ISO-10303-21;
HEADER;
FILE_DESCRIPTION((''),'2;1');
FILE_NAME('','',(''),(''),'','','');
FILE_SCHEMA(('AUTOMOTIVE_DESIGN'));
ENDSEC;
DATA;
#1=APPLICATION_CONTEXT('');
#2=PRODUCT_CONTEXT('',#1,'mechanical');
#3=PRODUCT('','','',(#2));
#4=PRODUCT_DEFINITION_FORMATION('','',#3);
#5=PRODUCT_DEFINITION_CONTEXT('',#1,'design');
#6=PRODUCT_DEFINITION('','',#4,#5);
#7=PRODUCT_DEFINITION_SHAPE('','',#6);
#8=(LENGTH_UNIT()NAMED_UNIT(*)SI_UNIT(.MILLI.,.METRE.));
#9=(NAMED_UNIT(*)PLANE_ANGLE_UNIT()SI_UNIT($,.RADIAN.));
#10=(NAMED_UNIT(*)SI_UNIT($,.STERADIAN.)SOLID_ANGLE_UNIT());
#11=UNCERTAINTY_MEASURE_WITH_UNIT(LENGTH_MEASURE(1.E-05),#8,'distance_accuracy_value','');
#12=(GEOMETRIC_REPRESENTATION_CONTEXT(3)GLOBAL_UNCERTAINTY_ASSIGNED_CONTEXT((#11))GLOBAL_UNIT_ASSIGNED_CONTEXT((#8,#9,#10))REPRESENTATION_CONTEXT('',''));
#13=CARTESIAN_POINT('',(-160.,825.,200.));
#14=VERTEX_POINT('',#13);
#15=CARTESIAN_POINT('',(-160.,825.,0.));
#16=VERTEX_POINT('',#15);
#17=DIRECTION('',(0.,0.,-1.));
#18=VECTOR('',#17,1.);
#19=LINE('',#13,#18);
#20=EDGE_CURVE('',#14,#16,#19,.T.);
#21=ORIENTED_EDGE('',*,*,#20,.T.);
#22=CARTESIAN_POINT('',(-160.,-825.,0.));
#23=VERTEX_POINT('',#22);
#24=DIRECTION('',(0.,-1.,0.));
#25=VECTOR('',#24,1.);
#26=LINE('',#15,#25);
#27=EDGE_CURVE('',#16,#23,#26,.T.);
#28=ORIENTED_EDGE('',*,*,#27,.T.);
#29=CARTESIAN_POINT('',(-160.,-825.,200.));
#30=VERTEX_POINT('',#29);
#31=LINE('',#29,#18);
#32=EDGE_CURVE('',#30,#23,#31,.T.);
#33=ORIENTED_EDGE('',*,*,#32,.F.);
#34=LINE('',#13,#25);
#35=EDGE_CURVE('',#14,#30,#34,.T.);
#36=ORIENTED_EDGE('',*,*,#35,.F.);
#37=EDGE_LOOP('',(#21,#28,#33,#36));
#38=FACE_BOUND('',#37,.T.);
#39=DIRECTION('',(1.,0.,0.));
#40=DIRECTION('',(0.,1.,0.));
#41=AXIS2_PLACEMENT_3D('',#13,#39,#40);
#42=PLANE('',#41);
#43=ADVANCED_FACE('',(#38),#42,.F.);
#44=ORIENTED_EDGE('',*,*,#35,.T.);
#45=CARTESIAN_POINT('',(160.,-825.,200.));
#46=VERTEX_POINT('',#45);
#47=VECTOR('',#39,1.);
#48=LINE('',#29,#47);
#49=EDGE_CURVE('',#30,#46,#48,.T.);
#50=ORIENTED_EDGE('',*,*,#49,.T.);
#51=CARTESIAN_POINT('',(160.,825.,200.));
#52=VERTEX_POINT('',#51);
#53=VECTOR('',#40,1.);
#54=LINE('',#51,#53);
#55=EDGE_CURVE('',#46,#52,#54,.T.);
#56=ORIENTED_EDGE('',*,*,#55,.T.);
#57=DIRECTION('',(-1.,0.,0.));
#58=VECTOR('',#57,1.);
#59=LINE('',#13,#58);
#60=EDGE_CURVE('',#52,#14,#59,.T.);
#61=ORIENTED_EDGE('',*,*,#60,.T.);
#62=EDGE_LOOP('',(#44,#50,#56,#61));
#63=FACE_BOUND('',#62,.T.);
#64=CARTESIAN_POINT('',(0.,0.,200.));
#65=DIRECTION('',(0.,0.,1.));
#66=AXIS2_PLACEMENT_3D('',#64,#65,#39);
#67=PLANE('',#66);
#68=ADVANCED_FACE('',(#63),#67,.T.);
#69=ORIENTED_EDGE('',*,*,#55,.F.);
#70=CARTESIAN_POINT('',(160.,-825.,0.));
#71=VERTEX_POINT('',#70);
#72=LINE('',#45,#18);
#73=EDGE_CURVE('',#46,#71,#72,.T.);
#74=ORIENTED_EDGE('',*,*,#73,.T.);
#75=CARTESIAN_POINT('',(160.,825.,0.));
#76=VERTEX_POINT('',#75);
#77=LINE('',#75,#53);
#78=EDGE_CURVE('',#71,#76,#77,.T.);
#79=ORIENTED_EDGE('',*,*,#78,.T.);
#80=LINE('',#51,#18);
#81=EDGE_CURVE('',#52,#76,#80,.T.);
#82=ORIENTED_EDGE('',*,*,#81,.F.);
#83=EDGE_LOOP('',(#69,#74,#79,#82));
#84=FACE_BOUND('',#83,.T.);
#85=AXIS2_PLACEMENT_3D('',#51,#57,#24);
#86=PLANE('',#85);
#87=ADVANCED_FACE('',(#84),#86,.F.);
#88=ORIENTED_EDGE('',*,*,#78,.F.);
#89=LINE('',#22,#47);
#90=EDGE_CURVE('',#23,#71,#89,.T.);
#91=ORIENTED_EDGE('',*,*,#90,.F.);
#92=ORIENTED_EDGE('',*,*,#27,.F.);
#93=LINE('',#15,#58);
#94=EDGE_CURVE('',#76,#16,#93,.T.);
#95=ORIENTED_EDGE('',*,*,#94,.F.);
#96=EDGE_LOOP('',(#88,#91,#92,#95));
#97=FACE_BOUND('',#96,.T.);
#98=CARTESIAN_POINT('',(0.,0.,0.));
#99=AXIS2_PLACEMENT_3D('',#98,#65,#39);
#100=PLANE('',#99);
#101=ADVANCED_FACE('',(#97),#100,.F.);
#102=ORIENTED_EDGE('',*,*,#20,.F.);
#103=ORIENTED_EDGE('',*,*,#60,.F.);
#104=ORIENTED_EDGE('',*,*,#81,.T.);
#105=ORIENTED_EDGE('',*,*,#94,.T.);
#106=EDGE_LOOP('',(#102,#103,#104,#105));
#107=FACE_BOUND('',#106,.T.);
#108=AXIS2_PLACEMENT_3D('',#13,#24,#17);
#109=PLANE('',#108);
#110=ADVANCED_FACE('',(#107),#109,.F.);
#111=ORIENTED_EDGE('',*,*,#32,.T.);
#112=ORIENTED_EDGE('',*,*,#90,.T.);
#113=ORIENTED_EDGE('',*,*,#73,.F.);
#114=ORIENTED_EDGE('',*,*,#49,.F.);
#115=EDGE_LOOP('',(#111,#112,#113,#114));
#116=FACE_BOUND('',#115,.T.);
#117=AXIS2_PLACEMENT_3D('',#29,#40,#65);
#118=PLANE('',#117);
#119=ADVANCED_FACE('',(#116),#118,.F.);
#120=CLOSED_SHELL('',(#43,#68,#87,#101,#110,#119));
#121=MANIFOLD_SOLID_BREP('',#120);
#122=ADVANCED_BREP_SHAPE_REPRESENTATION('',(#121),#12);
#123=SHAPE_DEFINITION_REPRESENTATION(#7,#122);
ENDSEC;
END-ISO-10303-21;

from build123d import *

# Parameters (mm, degrees)
SKETCH_1_W      = 320
SKETCH_1_H      = 1650
EXTRUDE_1_DEPTH = 200


with BuildPart() as part:
    # 草图1 → 凸台-拉伸1 (new body)
    with BuildSketch(Plane.XY):
        Rectangle(SKETCH_1_W, SKETCH_1_H)
    extrude(amount=EXTRUDE_1_DEPTH)


solid = part.part
